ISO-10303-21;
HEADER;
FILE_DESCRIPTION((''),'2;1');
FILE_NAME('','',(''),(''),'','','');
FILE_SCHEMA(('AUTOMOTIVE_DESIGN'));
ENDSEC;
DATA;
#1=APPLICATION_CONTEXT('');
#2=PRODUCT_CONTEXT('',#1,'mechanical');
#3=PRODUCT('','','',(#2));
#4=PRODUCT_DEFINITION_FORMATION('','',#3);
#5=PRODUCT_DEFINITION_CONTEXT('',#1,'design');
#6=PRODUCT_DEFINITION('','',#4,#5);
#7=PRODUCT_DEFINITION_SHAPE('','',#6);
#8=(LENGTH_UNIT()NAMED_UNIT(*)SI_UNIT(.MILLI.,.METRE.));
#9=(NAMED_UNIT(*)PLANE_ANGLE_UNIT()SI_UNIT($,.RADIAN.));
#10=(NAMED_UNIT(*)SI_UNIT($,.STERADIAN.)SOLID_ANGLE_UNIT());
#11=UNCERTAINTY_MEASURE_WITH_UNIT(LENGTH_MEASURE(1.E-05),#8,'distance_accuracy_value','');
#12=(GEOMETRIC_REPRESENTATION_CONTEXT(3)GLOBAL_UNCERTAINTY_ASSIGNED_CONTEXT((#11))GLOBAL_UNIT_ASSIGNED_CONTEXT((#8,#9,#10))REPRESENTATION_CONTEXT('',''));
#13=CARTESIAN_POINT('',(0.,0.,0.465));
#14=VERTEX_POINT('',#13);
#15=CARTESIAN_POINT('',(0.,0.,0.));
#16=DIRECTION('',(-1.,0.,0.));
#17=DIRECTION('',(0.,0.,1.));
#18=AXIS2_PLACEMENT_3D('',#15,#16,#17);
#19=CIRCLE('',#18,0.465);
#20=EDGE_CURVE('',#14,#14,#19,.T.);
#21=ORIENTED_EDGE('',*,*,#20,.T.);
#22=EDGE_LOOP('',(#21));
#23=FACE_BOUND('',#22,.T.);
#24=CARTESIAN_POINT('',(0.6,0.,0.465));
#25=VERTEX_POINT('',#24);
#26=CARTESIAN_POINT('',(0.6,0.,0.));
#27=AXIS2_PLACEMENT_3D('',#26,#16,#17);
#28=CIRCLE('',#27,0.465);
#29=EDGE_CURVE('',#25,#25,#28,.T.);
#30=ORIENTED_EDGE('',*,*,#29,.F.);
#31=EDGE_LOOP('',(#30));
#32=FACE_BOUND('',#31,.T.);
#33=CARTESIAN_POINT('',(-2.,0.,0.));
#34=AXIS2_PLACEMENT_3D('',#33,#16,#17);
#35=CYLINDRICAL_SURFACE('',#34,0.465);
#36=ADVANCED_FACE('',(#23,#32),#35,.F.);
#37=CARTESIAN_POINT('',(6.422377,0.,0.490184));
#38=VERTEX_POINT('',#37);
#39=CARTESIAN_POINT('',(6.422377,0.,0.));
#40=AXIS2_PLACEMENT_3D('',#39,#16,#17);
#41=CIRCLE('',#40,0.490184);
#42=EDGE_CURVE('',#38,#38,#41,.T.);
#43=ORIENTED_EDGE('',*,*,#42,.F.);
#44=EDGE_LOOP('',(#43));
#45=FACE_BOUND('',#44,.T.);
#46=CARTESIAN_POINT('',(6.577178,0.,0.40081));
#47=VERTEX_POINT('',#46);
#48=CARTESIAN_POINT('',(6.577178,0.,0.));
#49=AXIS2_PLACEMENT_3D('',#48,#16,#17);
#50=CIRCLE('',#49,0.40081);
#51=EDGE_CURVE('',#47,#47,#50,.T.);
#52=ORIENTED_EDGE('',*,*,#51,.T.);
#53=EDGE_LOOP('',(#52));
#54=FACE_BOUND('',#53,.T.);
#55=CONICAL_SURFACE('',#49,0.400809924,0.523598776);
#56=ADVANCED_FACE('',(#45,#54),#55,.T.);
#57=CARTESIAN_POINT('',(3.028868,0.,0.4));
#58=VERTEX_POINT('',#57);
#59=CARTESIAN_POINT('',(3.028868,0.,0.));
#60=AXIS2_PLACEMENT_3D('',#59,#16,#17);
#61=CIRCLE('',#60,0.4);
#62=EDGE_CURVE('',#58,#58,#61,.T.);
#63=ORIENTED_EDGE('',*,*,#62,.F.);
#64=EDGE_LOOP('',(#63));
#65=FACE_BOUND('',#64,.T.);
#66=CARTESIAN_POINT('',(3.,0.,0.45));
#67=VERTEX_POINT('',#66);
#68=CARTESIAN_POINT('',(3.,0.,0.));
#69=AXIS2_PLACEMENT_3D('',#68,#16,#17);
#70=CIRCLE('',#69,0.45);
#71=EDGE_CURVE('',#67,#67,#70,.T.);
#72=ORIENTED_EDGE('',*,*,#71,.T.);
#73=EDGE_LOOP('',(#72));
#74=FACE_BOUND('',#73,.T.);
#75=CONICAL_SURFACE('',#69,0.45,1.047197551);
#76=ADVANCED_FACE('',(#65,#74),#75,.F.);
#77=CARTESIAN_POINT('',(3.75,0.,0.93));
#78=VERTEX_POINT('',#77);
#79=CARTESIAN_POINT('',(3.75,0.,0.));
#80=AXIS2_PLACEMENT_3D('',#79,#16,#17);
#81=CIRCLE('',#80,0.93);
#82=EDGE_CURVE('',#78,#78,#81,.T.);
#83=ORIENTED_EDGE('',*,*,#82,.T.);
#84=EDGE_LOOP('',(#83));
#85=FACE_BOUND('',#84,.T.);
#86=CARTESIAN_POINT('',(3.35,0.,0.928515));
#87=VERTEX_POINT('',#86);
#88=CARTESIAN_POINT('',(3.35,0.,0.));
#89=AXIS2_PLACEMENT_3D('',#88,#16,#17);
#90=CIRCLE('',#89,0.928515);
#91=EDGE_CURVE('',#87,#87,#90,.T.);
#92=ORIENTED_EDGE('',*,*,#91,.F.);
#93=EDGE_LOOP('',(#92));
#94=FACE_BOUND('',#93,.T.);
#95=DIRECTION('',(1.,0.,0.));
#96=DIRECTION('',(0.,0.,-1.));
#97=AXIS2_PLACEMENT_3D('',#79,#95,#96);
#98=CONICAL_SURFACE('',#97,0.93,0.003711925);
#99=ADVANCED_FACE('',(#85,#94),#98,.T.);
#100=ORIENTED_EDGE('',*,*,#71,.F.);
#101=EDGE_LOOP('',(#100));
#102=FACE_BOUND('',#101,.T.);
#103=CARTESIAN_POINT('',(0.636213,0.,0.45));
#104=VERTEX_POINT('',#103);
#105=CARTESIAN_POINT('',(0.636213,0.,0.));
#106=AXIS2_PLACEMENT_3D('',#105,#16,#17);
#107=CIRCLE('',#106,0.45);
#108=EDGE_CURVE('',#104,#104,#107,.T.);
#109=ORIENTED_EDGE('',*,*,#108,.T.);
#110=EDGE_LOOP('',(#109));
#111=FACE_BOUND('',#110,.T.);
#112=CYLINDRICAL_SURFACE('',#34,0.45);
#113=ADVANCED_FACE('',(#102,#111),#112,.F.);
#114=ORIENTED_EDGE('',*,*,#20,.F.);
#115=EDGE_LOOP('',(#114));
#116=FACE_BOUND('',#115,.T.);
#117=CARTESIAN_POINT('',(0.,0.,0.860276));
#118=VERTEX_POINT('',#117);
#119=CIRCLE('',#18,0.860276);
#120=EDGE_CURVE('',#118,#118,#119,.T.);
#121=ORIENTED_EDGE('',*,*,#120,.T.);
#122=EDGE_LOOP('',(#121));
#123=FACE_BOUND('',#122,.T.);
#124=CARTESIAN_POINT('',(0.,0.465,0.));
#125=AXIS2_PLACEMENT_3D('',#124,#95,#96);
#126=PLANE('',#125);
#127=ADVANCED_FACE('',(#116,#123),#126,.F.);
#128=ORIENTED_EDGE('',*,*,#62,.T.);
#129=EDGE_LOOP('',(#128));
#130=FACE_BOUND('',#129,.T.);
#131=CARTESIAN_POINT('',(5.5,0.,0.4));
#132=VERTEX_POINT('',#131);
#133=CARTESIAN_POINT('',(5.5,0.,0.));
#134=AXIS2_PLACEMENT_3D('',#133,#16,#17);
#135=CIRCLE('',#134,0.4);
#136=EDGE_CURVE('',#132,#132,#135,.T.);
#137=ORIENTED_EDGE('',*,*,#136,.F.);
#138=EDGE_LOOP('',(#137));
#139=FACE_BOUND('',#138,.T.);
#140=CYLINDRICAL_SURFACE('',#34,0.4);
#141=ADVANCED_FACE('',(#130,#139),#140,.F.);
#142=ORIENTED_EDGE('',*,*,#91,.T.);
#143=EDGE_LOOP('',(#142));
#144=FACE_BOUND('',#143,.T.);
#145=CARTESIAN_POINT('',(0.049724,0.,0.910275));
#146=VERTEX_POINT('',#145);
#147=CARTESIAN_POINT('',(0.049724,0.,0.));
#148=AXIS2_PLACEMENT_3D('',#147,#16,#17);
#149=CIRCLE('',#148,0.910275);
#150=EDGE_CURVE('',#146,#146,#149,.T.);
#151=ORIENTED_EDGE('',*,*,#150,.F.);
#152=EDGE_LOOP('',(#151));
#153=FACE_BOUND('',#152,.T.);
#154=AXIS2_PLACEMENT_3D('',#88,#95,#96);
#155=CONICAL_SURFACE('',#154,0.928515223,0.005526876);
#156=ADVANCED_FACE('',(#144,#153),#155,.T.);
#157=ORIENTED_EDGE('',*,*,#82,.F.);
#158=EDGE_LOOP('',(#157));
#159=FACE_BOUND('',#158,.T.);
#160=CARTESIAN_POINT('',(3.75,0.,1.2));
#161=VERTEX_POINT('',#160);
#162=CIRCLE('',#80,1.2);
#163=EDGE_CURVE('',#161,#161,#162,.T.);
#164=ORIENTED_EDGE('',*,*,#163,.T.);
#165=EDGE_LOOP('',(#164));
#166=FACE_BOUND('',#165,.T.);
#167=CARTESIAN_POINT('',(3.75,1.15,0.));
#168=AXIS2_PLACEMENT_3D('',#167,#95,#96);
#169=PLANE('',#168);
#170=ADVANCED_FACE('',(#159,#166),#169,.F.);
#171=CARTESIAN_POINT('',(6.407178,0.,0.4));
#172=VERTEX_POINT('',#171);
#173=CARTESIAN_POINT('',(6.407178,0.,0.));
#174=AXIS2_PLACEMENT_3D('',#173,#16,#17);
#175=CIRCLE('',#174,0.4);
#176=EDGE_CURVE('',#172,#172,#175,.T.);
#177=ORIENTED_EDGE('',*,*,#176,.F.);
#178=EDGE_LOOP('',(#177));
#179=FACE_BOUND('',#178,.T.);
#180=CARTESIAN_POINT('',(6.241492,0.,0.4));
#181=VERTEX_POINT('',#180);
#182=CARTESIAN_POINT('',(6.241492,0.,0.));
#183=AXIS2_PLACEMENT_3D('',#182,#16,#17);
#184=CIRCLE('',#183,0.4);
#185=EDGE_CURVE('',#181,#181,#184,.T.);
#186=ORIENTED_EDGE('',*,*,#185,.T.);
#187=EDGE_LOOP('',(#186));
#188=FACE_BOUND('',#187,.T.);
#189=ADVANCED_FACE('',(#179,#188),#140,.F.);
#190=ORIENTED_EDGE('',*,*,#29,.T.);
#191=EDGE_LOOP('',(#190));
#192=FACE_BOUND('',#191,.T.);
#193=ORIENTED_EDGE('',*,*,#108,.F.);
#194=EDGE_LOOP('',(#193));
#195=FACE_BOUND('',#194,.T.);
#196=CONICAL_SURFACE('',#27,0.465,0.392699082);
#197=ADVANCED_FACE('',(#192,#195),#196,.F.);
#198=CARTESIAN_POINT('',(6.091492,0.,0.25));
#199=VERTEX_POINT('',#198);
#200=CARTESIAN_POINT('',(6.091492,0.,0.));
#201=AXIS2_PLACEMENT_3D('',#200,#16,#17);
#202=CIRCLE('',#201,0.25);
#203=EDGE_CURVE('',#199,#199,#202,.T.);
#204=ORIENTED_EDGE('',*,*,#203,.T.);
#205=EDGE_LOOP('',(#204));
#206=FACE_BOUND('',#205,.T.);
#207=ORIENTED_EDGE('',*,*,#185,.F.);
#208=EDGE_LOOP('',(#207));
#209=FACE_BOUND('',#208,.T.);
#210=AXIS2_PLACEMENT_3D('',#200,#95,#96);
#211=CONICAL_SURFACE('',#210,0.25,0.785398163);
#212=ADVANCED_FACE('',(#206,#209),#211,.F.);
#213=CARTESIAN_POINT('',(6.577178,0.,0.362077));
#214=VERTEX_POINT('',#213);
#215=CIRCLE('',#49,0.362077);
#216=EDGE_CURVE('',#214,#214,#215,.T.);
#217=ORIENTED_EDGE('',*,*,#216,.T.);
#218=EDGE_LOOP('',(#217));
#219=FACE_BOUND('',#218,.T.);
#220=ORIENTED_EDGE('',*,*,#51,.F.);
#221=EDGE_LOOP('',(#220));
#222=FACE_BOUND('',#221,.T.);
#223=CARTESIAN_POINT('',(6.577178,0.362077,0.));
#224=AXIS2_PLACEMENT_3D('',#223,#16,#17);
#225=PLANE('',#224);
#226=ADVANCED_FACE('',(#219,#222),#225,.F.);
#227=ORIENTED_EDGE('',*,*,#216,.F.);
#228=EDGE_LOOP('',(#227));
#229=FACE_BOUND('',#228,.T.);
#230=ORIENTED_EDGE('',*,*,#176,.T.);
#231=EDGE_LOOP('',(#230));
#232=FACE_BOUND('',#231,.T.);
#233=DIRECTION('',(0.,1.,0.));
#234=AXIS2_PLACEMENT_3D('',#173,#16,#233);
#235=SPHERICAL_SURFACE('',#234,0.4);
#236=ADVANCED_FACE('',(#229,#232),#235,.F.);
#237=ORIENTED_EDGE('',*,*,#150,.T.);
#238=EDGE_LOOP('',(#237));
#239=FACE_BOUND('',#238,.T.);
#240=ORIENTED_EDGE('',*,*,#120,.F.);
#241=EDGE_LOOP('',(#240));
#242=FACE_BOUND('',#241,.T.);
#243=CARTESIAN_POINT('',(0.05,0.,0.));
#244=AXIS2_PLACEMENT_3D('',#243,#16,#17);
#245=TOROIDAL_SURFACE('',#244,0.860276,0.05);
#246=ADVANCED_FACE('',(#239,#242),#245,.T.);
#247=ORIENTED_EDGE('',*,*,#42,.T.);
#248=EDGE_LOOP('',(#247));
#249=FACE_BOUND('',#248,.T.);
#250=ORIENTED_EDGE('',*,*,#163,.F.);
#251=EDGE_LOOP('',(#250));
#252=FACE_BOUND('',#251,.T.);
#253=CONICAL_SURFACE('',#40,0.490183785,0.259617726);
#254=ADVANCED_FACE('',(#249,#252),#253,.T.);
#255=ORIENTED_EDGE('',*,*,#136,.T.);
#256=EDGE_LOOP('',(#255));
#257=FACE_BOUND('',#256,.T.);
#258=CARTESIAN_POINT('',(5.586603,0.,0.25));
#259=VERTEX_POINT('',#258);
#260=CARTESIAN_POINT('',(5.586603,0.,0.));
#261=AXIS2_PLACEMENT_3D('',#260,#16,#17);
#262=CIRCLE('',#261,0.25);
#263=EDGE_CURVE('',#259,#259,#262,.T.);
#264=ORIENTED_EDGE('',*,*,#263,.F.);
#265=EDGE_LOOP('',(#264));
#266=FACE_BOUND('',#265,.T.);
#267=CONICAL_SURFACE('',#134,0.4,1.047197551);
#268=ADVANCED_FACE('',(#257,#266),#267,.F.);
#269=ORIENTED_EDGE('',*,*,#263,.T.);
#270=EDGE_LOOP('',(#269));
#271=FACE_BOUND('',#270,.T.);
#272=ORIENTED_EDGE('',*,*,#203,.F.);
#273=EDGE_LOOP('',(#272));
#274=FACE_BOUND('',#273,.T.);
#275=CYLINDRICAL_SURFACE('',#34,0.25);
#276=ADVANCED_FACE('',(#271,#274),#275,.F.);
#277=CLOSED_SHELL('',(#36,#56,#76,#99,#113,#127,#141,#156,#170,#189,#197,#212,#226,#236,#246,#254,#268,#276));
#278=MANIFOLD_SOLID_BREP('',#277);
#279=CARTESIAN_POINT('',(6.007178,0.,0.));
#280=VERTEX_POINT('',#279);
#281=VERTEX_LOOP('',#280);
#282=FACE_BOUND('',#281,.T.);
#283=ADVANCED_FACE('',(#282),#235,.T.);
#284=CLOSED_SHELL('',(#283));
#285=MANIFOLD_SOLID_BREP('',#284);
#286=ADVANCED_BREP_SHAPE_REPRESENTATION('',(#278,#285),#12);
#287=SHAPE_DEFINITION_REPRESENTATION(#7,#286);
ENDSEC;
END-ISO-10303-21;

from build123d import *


with BuildPart() as part:
    # Sketch1 → Base-Revolve (revolve)
    with BuildSketch(Plane.XY, mode=Mode.PRIVATE) as base_revolve_sk:
        with BuildLine():
            Line((0, 0.465), (0, 0.860275583))
            ThreePointArc((0, 0.860275583), (0.014547094, 0.895533085), (0.049723658, 0.910274819))
            Line((0.049723658, 0.910274819), (3.35, 0.928515223))
            Line((3.35, 0.928515223), (3.75, 0.93))
            Line((3.75, 0.93), (3.75, 1.15))
            Line((3.75, 1.15), (3.75, 1.2))
            Line((3.75, 1.2), (6.422377484, 0.490183785))
            Line((6.422377484, 0.490183785), (6.577177551, 0.400809924))
            Line((6.577177551, 0.400809924), (6.577177551, 0.36207734))
            ThreePointArc((6.577177551, 0.36207734), (6.49426677, 0.390404237), (6.407177551, 0.4))
            Line((6.407177551, 0.4), (6.241492126, 0.4))
            Line((6.241492126, 0.4), (6.091492126, 0.25))
            Line((6.091492126, 0.25), (5.58660254, 0.25))
            Line((5.58660254, 0.25), (5.5, 0.4))
            Line((5.5, 0.4), (3.028867513, 0.4))
            Line((3.028867513, 0.4), (3, 0.45))
            Line((3, 0.45), (0.636213203, 0.45))
            Line((0.636213203, 0.45), (0.6, 0.465))
            Line((0.6, 0.465), (0, 0.465))
        make_face()
    revolve(base_revolve_sk.sketch.rotate(Axis((-2, 0, 0), (1, 0, 0)), 90), axis=Axis((-2, 0, 0), (1, 0, 0)))


with BuildPart() as body_2:
    # Sketch2 → Esfera (revolve)
    with BuildSketch(Plane.XY):
        with BuildLine():
            Line((6.007177551, 0), (6.807177551, 0))
            ThreePointArc((6.807177551, 0), (6.407177551, 0.4), (6.007177551, 0))
        make_face()
    revolve(axis=Axis((4.979736288, 0, 0), (1, 0, 0)))


solid = Compound([part.part, body_2.part])
